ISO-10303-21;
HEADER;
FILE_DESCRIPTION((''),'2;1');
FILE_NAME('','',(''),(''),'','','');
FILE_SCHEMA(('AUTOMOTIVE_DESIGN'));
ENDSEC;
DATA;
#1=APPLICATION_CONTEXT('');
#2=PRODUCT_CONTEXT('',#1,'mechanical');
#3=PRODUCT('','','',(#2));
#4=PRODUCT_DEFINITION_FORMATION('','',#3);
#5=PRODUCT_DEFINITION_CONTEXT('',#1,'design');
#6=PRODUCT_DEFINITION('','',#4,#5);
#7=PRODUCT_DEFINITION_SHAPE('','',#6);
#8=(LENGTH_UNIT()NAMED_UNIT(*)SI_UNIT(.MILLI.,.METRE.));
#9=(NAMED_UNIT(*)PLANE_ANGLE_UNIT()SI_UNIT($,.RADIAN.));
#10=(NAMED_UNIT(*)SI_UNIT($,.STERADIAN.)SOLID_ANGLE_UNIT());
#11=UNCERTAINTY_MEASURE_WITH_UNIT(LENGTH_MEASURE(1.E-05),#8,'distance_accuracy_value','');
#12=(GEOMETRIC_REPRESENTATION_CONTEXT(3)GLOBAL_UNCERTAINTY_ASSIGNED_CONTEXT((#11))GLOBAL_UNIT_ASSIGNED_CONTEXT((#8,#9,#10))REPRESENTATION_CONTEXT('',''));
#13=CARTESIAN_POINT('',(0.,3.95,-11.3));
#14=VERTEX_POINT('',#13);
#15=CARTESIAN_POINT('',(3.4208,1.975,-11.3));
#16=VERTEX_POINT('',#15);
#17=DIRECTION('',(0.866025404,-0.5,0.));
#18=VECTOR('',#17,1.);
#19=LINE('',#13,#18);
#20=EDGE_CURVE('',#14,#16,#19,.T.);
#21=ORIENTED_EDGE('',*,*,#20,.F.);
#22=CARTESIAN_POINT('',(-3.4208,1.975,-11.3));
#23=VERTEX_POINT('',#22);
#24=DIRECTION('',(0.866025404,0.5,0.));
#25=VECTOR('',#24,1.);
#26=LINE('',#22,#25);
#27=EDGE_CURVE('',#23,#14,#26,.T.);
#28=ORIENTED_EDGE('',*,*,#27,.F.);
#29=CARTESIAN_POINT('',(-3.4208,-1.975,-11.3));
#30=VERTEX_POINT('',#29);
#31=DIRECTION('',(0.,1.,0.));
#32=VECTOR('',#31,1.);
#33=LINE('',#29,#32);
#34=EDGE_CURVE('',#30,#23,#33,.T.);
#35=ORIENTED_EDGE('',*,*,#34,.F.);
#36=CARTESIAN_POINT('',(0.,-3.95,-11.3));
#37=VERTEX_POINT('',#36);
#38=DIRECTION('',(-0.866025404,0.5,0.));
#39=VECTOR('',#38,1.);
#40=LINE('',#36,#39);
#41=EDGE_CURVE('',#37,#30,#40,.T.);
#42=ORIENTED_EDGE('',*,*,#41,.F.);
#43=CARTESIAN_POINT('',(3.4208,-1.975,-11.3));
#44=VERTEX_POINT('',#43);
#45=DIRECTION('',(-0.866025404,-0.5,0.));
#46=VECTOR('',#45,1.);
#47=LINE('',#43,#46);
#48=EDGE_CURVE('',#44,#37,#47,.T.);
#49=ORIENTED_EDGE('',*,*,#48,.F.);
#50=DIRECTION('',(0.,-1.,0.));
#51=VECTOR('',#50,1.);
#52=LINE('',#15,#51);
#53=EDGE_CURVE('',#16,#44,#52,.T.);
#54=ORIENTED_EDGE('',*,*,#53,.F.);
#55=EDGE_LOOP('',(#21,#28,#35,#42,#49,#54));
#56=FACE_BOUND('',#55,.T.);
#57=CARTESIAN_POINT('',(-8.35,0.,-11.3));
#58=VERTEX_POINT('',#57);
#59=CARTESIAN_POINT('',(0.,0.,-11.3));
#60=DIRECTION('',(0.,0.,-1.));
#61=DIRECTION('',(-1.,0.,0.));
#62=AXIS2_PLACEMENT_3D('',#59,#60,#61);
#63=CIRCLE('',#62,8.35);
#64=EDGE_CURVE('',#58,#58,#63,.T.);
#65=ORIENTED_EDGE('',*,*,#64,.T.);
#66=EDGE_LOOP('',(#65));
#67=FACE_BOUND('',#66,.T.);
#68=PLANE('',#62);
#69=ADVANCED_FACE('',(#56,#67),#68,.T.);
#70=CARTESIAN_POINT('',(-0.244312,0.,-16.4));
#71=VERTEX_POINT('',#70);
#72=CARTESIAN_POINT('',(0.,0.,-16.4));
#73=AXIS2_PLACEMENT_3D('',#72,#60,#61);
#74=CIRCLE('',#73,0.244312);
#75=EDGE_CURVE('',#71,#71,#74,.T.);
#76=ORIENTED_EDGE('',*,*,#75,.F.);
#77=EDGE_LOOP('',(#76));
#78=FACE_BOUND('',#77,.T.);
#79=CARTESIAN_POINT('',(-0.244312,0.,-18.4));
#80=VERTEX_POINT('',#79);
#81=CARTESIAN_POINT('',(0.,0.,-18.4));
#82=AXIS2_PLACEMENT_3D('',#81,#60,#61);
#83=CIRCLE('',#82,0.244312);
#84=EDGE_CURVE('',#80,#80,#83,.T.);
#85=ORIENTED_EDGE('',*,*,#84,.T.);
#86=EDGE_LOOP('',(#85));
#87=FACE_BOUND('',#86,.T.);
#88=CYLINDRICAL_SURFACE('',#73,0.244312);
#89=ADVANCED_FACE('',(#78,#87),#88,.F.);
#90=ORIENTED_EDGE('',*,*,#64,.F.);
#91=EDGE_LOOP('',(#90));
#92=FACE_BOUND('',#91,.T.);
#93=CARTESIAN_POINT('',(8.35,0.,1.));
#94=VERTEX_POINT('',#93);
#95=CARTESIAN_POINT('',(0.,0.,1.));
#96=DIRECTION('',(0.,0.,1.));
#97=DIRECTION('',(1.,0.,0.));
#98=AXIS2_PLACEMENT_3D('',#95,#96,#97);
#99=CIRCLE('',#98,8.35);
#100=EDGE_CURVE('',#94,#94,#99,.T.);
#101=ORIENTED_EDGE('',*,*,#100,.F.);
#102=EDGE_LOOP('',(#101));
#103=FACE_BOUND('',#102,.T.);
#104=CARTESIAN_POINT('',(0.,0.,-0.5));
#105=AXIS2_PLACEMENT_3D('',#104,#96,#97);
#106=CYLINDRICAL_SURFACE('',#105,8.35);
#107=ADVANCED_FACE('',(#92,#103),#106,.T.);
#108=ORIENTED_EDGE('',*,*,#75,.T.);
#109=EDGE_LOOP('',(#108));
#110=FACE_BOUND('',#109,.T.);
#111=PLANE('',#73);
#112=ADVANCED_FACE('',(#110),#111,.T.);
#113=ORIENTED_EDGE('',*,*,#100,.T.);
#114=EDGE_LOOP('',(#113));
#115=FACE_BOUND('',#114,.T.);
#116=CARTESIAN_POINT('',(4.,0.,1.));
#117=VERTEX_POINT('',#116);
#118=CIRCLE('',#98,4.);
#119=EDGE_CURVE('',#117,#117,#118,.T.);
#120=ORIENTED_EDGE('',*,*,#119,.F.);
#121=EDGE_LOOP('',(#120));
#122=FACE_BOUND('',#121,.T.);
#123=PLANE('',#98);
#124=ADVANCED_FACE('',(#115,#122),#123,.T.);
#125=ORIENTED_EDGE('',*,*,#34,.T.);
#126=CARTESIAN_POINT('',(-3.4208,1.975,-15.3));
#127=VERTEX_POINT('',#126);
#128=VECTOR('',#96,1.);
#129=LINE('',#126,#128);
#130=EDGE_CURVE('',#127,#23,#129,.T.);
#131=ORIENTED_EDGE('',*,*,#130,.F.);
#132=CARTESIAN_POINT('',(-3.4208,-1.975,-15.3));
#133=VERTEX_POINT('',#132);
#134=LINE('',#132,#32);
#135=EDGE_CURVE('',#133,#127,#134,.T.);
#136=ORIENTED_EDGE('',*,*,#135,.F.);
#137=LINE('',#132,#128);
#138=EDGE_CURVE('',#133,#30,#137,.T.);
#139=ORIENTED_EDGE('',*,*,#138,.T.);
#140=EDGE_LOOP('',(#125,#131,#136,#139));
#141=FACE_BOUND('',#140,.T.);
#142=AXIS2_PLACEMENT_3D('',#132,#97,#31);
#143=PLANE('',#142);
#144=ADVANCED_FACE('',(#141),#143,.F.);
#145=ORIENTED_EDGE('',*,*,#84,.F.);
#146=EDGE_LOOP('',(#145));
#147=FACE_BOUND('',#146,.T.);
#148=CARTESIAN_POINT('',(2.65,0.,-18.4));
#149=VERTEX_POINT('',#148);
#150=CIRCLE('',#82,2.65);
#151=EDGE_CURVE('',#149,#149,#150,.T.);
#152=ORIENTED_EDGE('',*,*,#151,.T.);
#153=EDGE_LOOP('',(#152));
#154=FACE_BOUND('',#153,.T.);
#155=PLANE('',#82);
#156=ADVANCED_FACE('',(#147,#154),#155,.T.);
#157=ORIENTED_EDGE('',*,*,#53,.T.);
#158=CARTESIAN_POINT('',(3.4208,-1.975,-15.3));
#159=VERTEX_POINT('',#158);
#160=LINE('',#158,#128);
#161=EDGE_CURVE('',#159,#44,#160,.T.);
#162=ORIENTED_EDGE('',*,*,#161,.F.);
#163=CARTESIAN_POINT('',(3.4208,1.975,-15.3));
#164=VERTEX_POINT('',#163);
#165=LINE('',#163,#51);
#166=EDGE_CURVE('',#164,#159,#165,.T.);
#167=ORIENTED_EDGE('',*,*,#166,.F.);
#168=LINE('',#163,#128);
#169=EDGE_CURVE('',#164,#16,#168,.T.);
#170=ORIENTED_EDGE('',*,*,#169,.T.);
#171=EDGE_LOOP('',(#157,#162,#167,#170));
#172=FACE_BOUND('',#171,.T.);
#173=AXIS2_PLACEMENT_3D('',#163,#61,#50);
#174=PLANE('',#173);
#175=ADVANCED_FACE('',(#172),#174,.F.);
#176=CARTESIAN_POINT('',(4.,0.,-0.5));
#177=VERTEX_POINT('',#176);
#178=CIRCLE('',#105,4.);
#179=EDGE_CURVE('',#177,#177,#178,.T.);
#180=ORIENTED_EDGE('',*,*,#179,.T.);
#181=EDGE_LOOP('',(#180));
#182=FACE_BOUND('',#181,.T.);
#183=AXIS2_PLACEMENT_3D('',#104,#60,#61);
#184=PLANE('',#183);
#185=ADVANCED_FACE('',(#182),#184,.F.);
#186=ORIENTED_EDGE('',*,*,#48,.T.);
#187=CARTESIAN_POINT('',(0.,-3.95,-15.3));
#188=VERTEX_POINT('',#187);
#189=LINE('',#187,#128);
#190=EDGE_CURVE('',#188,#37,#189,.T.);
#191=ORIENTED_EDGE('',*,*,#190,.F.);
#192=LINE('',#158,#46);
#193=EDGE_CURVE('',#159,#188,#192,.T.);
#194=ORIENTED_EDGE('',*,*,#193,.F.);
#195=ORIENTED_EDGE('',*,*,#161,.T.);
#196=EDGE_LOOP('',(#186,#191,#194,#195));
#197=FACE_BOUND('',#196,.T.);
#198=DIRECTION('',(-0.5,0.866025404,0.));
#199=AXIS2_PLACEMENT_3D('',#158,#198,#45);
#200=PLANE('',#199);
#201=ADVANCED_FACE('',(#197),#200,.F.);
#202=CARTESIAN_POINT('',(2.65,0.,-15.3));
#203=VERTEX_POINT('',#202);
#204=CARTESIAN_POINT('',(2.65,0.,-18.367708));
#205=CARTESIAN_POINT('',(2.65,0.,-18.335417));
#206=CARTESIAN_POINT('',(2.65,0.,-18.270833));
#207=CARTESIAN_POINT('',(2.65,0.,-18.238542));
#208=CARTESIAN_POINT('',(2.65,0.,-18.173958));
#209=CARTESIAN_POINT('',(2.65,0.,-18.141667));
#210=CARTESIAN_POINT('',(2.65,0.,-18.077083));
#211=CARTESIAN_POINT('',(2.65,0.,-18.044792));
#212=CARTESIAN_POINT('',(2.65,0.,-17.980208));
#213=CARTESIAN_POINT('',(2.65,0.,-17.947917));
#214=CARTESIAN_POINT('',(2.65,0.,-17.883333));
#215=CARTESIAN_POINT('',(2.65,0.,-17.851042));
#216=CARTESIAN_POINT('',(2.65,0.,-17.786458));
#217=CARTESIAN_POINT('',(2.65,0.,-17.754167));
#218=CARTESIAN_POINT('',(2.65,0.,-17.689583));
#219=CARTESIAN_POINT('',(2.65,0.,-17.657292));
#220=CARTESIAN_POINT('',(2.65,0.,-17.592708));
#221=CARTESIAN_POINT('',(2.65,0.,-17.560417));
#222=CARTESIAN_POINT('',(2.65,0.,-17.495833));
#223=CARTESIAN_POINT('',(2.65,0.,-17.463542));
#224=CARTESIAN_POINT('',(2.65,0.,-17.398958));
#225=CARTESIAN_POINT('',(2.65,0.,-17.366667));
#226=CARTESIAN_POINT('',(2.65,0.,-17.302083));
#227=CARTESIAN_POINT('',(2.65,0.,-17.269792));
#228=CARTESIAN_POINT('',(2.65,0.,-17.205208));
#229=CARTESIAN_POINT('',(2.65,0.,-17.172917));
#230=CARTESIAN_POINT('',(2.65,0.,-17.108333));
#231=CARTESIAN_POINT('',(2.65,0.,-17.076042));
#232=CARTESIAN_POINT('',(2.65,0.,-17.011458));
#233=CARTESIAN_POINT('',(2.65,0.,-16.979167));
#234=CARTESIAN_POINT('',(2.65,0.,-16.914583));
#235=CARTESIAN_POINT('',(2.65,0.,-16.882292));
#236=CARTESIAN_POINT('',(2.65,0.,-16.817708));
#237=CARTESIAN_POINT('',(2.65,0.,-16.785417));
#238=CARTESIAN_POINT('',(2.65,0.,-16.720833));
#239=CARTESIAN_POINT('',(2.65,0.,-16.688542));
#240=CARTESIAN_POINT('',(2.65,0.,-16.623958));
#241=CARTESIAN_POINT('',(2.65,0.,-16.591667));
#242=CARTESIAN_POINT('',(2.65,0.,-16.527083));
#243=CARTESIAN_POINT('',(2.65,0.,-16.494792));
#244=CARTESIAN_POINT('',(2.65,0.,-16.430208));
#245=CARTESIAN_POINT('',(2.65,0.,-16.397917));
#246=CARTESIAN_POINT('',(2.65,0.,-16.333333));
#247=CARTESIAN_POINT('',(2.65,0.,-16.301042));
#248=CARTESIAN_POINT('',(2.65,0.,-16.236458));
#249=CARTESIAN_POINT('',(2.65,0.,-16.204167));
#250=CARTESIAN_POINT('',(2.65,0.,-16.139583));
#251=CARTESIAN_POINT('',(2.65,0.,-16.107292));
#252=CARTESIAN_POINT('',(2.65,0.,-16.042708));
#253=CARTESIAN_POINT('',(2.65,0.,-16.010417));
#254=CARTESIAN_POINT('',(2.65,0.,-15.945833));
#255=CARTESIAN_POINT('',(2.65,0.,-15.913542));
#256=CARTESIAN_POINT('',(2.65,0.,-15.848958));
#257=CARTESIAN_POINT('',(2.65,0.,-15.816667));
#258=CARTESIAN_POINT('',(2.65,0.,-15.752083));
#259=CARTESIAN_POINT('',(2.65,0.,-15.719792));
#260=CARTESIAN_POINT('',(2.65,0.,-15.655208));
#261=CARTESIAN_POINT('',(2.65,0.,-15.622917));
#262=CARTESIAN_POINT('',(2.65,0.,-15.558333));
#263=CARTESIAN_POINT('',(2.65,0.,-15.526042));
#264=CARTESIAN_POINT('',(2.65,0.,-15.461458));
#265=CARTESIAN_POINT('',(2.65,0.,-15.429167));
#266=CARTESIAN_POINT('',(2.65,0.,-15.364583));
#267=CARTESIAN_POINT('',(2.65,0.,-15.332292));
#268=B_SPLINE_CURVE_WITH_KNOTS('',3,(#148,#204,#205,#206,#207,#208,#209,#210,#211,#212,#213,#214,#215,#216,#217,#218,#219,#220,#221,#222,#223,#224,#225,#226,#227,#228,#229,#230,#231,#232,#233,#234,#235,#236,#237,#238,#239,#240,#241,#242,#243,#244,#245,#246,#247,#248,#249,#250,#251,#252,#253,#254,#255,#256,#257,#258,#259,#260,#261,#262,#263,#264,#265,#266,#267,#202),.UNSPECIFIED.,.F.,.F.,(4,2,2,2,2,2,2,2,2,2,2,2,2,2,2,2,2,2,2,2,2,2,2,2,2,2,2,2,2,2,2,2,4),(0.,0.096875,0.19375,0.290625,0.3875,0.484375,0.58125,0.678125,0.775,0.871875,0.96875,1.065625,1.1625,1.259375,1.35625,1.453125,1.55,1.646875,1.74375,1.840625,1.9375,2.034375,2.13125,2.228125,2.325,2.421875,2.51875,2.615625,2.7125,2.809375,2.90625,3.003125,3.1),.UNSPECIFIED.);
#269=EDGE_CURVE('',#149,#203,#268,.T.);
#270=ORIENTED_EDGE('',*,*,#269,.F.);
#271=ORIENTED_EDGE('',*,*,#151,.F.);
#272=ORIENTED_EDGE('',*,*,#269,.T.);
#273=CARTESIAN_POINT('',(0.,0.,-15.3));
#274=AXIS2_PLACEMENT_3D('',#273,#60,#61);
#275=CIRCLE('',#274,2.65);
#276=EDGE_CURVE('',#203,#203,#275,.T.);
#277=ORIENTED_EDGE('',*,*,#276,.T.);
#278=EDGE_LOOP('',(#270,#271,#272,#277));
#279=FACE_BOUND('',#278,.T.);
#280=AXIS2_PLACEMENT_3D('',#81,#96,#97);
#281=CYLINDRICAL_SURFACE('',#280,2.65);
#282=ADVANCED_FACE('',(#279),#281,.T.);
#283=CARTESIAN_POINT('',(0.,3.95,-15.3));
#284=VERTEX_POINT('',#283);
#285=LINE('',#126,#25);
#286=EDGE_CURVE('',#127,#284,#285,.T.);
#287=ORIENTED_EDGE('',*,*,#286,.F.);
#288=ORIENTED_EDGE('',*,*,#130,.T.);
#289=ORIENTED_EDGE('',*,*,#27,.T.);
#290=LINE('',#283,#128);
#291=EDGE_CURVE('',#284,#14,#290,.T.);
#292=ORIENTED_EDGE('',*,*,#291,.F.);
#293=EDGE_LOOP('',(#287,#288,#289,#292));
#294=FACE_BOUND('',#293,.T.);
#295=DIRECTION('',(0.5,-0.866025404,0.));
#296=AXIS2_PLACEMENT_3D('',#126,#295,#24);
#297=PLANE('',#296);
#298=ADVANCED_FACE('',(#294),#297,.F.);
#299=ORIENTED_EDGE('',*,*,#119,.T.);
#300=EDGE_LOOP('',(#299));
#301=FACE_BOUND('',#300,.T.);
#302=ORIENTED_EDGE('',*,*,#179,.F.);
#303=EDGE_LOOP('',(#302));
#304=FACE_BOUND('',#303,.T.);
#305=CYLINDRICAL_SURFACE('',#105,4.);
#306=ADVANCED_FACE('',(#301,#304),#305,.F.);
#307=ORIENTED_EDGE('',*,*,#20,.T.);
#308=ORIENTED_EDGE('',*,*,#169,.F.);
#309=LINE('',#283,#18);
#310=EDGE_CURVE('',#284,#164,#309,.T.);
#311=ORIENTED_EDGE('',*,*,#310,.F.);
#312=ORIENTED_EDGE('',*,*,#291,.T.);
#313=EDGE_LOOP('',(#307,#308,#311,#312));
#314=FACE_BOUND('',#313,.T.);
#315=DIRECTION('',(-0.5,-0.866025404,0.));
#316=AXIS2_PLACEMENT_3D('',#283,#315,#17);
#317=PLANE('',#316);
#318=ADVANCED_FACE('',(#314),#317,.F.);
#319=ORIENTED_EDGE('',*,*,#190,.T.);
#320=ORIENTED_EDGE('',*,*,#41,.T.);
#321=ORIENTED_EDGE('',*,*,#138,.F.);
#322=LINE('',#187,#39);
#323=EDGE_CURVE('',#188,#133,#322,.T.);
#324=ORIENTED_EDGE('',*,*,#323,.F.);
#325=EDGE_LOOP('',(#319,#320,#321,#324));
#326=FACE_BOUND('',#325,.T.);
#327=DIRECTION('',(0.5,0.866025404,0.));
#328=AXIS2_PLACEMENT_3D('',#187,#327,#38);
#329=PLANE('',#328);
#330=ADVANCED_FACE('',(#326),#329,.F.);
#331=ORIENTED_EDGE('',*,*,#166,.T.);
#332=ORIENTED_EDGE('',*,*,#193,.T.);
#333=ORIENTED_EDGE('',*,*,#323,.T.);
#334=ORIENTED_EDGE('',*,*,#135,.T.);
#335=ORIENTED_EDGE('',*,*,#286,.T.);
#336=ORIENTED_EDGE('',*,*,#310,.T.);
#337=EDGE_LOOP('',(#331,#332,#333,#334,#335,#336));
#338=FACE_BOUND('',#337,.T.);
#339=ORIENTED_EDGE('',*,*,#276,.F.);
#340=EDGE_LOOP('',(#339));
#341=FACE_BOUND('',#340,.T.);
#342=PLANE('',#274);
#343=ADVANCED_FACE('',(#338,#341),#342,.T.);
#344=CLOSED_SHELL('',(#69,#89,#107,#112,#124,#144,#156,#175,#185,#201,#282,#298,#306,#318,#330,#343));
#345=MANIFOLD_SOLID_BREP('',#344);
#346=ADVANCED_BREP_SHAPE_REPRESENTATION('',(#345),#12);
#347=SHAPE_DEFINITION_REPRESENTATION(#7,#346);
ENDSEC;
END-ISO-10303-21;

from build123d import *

# Parameters (mm, degrees)
BOSS_EXTRUDE1_DEPTH      = 1
BOSS_EXTRUDE1_DEPTH_BACK = 0.5
SKETCH3_R                = 8.35
SKETCH3_R_2              = 4
SKETCH4_R                = 8.35
BOSS_EXTRUDE2_DEPTH      = 10.8
BOSS_EXTRUDE4_DEPTH      = 4
SKETCH6_R                = 2.65
BOSS_EXTRUDE5_DEPTH      = 3.1
SKETCH7_R                = 0.244312337
CUT_EXTRUDE1_DEPTH       = 2


with BuildPart() as part:
    # Sketch3 → Boss-Extrude1 (new, two sides: drawn at the far end of the back side and taken through both)
    with BuildSketch(Plane.XY.offset(-BOSS_EXTRUDE1_DEPTH_BACK)):
        Circle(SKETCH3_R)
        Circle(SKETCH3_R_2, mode=Mode.SUBTRACT)
    extrude(amount=BOSS_EXTRUDE1_DEPTH + BOSS_EXTRUDE1_DEPTH_BACK)

    # Sketch4 → Boss-Extrude2 (add)
    with BuildSketch(Plane(origin=(0, 0, -0.5), x_dir=(-1, 0, 0), z_dir=(0, 0, -1))):
        with Locations(Location((0, 0, 0), (0, 0, 180))):
            Circle(SKETCH4_R)
    extrude(amount=BOSS_EXTRUDE2_DEPTH)

    # Sketch5 → Boss-Extrude4 (add)
    with BuildSketch(Plane(origin=(0, 0, -11.3), x_dir=(-1, 0, 0), z_dir=(0, 0, -1))):
        Polygon((0, 3.95), (-3.420800345, 1.975), (-3.420800345, -1.975), (0, -3.95), (3.420800345, -1.975), (3.420800345, 1.975), align=None)
    extrude(amount=BOSS_EXTRUDE4_DEPTH)

    # Sketch6 → Boss-Extrude5 (add)
    with BuildSketch(Plane(origin=(0, 0, -15.3), x_dir=(-1, 0, 0), z_dir=(0, 0, -1))):
        with Locations(Location((0, 0, 0), (0, 0, 180))):
            Circle(SKETCH6_R)
    extrude(amount=BOSS_EXTRUDE5_DEPTH)

    # Sketch7 → Cut-Extrude1 (cut)
    with BuildSketch(Plane(origin=(0, 0, -18.4), x_dir=(-1, 0, 0), z_dir=(0, 0, -1))):
        Circle(SKETCH7_R)
    extrude(amount=-CUT_EXTRUDE1_DEPTH, mode=Mode.SUBTRACT)


solid = part.part
